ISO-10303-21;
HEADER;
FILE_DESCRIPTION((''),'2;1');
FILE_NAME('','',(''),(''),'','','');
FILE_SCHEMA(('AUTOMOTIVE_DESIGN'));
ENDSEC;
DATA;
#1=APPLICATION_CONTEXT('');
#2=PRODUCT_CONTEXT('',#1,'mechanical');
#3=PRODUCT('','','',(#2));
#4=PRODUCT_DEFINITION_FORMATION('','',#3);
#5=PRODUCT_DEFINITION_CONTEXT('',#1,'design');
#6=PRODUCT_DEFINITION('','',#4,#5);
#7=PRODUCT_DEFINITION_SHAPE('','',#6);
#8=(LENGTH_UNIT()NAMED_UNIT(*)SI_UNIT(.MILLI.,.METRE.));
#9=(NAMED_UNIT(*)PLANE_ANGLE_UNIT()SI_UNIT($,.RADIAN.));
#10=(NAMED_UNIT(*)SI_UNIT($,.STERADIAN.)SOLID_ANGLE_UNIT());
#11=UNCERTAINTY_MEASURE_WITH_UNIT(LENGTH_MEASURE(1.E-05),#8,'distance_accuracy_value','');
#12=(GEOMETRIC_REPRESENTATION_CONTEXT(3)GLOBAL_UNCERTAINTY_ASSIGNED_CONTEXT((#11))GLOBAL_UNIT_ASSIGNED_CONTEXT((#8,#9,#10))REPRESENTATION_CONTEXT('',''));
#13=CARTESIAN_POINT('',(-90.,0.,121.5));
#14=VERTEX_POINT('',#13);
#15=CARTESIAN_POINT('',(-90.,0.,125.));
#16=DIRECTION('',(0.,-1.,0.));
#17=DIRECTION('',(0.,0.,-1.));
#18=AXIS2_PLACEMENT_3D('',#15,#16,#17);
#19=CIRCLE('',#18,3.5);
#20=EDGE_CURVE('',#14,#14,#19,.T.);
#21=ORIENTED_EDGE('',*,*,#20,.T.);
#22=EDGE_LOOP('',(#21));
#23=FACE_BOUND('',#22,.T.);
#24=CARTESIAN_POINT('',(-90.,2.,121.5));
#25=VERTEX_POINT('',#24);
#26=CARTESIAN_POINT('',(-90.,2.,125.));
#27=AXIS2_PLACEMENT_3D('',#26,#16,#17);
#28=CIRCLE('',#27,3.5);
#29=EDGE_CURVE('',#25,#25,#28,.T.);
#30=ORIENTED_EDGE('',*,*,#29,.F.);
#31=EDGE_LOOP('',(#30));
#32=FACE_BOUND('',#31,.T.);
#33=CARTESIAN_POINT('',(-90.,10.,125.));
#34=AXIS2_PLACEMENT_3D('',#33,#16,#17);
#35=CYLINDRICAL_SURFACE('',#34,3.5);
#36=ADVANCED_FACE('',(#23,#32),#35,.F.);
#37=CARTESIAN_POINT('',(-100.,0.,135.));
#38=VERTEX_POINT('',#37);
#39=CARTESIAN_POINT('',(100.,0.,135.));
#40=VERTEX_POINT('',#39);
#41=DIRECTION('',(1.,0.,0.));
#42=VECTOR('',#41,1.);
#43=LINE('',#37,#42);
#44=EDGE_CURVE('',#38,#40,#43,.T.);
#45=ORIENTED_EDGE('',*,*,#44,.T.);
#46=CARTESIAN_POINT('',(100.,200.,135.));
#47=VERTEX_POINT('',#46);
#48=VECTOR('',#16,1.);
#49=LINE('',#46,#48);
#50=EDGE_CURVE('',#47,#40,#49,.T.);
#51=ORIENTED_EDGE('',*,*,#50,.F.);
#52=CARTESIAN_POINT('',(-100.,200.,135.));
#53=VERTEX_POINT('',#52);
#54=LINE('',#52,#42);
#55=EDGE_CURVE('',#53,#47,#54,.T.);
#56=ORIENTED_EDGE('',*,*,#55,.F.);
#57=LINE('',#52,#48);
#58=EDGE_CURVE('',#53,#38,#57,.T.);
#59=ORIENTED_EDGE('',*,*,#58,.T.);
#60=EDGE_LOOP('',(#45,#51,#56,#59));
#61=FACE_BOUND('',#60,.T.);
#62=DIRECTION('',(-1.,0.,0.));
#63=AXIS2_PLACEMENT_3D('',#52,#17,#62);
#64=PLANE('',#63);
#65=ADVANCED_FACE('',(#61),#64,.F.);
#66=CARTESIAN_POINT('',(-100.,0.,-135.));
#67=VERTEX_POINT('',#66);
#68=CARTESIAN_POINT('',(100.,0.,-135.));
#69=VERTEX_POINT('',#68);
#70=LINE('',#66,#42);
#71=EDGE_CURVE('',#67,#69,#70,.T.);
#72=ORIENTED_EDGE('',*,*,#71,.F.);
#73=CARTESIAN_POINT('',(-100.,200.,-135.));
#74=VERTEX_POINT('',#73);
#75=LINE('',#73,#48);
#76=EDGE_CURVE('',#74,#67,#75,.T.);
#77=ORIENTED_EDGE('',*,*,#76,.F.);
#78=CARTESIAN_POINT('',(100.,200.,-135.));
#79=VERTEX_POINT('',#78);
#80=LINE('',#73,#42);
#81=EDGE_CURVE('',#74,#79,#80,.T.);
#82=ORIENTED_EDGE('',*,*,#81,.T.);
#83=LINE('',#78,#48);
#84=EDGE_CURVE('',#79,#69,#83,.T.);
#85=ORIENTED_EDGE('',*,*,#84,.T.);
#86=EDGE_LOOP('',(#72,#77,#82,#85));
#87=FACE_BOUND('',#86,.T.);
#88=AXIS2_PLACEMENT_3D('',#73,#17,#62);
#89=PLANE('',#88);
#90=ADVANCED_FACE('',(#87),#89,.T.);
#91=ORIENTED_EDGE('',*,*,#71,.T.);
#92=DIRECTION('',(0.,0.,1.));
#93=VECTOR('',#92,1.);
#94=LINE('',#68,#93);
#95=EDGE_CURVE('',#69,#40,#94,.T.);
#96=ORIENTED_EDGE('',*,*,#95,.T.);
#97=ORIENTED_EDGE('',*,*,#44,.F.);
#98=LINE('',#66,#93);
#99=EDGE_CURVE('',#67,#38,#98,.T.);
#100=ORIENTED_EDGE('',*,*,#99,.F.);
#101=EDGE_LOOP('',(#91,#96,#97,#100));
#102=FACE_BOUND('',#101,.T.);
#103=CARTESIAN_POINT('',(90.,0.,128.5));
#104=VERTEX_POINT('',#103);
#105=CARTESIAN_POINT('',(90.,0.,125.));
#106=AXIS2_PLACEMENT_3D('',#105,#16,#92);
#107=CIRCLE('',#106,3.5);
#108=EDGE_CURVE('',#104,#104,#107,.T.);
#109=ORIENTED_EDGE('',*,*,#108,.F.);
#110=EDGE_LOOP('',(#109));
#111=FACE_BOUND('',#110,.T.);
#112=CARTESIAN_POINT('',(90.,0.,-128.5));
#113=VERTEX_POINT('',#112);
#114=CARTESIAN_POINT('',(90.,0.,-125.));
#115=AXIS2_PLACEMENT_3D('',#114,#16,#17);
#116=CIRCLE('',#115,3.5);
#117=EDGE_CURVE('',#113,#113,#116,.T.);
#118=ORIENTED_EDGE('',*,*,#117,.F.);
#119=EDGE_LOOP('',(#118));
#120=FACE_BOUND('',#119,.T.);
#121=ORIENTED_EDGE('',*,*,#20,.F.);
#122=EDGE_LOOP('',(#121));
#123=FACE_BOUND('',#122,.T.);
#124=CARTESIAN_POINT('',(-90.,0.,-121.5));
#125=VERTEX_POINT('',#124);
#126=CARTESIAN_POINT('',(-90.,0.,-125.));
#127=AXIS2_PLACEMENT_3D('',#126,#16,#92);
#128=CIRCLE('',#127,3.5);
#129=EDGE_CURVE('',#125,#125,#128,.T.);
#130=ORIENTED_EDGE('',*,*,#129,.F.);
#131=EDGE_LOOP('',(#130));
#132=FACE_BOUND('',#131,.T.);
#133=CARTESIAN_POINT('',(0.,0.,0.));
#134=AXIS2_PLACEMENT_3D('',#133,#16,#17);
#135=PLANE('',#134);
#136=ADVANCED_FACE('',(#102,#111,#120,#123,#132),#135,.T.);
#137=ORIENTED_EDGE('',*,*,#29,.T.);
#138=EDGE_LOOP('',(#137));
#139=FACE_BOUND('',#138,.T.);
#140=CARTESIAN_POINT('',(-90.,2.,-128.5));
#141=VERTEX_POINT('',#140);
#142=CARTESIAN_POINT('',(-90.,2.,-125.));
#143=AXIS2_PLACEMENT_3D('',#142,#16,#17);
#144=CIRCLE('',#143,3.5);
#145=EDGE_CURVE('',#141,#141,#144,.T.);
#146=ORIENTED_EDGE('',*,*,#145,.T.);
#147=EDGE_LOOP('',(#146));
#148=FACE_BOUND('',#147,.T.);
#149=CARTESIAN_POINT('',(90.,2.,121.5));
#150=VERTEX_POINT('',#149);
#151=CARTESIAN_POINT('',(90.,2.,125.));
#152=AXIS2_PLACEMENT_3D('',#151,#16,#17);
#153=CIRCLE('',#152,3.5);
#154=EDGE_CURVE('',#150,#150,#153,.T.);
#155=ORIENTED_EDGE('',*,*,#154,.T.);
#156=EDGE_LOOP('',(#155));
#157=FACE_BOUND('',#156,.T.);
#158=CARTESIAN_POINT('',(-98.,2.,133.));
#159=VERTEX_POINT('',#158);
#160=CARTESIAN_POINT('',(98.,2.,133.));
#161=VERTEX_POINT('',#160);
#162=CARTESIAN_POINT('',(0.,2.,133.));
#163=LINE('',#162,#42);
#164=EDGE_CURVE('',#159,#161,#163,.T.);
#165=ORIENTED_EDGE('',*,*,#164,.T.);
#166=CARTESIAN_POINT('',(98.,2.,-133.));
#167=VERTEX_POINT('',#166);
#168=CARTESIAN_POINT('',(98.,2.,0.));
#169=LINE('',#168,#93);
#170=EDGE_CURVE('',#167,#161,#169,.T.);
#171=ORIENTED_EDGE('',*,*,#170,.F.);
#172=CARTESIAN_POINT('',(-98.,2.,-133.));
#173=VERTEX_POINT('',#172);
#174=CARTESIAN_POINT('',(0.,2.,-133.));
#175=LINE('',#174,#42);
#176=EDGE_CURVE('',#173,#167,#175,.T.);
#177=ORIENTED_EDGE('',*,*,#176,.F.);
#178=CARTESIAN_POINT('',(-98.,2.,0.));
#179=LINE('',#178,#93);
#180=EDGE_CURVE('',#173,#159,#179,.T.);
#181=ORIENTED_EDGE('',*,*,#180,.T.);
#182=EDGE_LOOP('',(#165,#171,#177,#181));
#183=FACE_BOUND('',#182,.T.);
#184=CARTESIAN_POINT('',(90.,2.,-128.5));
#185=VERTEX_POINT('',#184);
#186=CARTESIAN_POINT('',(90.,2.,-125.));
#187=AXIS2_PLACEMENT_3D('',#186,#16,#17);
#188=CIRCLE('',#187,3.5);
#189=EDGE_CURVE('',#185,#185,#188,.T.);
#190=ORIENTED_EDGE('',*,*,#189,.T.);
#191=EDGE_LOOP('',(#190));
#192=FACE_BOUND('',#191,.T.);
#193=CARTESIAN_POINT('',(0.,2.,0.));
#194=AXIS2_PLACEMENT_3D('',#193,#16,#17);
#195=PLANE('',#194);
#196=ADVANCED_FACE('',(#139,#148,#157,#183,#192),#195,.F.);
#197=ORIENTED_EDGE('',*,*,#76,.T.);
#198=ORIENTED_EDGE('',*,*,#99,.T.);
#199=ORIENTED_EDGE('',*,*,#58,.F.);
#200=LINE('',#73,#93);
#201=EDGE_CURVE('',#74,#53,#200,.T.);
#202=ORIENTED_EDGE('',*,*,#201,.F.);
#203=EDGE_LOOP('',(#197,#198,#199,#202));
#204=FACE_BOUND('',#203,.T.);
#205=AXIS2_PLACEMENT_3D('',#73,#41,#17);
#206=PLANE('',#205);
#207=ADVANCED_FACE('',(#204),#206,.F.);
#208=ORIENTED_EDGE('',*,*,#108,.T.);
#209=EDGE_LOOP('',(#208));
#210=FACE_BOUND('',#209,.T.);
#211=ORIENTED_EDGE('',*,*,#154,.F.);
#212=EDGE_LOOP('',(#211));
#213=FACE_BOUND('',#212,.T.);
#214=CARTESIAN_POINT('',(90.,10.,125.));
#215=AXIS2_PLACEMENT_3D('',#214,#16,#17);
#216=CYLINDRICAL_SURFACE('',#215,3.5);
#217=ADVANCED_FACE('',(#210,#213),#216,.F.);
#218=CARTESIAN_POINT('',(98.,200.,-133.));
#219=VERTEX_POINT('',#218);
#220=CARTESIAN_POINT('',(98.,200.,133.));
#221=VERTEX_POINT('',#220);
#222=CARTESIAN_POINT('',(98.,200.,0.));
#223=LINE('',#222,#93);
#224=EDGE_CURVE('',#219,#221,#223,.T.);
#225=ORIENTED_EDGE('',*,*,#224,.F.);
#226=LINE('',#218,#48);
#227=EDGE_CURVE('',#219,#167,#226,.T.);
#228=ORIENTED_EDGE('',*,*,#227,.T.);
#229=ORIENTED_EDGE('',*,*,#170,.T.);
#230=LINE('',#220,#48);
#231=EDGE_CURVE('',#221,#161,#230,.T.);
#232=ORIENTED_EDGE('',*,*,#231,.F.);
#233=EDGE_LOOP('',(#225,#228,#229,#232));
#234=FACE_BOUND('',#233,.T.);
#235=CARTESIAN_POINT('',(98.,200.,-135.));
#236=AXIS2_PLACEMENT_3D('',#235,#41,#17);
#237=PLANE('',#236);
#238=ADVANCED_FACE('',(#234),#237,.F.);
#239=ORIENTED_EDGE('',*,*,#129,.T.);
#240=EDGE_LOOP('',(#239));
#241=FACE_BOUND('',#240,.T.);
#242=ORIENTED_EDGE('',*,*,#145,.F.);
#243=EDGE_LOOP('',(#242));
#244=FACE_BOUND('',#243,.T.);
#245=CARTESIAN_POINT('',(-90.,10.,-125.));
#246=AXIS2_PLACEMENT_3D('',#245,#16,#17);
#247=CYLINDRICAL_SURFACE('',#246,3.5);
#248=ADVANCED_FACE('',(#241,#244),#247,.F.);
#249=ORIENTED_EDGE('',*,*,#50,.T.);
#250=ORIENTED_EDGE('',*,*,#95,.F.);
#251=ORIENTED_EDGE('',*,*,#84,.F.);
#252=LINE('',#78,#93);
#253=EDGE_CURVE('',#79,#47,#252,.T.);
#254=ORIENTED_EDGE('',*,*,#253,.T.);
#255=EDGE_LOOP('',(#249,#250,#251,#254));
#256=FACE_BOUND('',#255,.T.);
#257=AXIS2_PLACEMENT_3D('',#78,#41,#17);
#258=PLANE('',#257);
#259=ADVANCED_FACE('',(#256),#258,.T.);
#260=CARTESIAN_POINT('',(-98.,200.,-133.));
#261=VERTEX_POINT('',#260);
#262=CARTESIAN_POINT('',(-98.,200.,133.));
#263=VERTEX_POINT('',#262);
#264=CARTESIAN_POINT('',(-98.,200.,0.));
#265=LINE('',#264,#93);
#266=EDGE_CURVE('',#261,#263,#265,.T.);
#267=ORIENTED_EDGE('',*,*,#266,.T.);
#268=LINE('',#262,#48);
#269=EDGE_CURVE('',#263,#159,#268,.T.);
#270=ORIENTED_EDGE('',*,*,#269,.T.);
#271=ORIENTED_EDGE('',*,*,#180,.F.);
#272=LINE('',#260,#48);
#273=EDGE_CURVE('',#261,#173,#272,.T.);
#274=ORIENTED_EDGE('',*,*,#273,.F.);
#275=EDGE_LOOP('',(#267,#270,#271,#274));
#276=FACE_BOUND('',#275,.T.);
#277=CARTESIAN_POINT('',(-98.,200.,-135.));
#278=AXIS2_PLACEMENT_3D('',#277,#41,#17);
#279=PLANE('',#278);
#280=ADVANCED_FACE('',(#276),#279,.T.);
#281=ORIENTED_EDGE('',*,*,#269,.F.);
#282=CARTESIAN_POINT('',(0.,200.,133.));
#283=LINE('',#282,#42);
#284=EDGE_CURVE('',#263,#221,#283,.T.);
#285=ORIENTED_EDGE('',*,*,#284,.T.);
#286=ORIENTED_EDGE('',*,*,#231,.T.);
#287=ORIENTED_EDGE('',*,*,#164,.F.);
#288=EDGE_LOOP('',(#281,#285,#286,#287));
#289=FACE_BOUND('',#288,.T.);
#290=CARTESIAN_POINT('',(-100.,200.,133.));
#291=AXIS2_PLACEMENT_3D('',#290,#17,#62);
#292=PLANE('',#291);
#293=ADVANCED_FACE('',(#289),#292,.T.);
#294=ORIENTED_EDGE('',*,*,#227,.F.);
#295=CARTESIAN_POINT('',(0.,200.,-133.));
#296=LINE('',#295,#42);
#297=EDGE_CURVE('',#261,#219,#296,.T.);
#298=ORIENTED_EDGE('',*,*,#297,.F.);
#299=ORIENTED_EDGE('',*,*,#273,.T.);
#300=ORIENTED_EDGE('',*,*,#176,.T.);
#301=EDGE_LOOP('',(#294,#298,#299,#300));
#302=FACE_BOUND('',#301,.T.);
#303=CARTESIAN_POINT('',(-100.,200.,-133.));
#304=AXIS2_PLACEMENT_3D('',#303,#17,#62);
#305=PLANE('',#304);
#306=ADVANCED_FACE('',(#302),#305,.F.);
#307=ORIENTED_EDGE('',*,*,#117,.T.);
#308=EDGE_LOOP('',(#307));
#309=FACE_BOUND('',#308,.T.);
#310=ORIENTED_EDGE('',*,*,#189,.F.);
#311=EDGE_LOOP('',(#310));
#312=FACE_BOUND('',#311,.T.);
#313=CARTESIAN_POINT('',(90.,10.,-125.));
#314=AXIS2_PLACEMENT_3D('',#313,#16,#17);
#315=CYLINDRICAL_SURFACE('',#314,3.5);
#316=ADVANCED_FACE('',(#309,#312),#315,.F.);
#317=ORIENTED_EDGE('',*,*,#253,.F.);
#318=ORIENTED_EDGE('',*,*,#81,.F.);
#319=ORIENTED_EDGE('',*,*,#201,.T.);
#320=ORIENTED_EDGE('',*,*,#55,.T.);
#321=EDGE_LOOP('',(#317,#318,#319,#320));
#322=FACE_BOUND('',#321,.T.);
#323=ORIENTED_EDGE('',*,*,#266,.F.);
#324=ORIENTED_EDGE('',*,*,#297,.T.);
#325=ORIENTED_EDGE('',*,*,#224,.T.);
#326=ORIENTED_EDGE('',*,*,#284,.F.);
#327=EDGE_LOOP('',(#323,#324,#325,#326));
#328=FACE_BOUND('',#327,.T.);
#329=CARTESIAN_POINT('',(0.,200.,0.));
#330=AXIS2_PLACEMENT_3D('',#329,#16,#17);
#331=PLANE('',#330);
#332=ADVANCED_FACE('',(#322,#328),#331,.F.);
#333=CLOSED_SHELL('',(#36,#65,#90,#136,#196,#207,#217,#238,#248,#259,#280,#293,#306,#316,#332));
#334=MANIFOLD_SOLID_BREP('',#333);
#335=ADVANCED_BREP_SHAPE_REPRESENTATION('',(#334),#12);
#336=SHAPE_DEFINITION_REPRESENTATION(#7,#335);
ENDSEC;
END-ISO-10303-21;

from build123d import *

# Parameters (mm, degrees)
SKETCH_1_W          = 200
SKETCH_1_H          = 270
EXTRUDE_1_DEPTH     = 200
SHELL_1_T           = -2
SKETCH_2_R          = 3.5
CUT_EXTRUDE_1_DEPTH = 10


with BuildPart() as part:
    # 草图1 → 凸台-拉伸1 (new body)
    with BuildSketch(Plane(origin=(0, 0, 0), x_dir=(1, 0, 0), z_dir=(0, 1, 0))):
        Rectangle(SKETCH_1_W, SKETCH_1_H)
    extrude(amount=EXTRUDE_1_DEPTH)

    # 抽壳1
    shell_1_openings = [part.faces().sort_by_distance(p)[0] for p in [
        (0, 200, 0),
    ]]
    offset(amount=SHELL_1_T, openings=shell_1_openings, kind=Kind.INTERSECTION)

    # 草图2 → 切除-拉伸1 (cut)
    with BuildSketch(Plane(origin=(0, 0, 0), x_dir=(-1, 0, 0), z_dir=(0, -1, 0))):
        with Locations(Location((90, -125, 0), (0, 0, 90))):
            Circle(SKETCH_2_R)
        with Locations(Location((-90, -125, 0), (0, 0, 90))):
            Circle(SKETCH_2_R)
        with Locations(Location((-90, 125, 0), (0, 0, 90))):
            Circle(SKETCH_2_R)
        with Locations(Location((90, 125, 0), (0, 0, 90))):
            Circle(SKETCH_2_R)
    extrude(amount=-CUT_EXTRUDE_1_DEPTH, mode=Mode.SUBTRACT)


solid = part.part
